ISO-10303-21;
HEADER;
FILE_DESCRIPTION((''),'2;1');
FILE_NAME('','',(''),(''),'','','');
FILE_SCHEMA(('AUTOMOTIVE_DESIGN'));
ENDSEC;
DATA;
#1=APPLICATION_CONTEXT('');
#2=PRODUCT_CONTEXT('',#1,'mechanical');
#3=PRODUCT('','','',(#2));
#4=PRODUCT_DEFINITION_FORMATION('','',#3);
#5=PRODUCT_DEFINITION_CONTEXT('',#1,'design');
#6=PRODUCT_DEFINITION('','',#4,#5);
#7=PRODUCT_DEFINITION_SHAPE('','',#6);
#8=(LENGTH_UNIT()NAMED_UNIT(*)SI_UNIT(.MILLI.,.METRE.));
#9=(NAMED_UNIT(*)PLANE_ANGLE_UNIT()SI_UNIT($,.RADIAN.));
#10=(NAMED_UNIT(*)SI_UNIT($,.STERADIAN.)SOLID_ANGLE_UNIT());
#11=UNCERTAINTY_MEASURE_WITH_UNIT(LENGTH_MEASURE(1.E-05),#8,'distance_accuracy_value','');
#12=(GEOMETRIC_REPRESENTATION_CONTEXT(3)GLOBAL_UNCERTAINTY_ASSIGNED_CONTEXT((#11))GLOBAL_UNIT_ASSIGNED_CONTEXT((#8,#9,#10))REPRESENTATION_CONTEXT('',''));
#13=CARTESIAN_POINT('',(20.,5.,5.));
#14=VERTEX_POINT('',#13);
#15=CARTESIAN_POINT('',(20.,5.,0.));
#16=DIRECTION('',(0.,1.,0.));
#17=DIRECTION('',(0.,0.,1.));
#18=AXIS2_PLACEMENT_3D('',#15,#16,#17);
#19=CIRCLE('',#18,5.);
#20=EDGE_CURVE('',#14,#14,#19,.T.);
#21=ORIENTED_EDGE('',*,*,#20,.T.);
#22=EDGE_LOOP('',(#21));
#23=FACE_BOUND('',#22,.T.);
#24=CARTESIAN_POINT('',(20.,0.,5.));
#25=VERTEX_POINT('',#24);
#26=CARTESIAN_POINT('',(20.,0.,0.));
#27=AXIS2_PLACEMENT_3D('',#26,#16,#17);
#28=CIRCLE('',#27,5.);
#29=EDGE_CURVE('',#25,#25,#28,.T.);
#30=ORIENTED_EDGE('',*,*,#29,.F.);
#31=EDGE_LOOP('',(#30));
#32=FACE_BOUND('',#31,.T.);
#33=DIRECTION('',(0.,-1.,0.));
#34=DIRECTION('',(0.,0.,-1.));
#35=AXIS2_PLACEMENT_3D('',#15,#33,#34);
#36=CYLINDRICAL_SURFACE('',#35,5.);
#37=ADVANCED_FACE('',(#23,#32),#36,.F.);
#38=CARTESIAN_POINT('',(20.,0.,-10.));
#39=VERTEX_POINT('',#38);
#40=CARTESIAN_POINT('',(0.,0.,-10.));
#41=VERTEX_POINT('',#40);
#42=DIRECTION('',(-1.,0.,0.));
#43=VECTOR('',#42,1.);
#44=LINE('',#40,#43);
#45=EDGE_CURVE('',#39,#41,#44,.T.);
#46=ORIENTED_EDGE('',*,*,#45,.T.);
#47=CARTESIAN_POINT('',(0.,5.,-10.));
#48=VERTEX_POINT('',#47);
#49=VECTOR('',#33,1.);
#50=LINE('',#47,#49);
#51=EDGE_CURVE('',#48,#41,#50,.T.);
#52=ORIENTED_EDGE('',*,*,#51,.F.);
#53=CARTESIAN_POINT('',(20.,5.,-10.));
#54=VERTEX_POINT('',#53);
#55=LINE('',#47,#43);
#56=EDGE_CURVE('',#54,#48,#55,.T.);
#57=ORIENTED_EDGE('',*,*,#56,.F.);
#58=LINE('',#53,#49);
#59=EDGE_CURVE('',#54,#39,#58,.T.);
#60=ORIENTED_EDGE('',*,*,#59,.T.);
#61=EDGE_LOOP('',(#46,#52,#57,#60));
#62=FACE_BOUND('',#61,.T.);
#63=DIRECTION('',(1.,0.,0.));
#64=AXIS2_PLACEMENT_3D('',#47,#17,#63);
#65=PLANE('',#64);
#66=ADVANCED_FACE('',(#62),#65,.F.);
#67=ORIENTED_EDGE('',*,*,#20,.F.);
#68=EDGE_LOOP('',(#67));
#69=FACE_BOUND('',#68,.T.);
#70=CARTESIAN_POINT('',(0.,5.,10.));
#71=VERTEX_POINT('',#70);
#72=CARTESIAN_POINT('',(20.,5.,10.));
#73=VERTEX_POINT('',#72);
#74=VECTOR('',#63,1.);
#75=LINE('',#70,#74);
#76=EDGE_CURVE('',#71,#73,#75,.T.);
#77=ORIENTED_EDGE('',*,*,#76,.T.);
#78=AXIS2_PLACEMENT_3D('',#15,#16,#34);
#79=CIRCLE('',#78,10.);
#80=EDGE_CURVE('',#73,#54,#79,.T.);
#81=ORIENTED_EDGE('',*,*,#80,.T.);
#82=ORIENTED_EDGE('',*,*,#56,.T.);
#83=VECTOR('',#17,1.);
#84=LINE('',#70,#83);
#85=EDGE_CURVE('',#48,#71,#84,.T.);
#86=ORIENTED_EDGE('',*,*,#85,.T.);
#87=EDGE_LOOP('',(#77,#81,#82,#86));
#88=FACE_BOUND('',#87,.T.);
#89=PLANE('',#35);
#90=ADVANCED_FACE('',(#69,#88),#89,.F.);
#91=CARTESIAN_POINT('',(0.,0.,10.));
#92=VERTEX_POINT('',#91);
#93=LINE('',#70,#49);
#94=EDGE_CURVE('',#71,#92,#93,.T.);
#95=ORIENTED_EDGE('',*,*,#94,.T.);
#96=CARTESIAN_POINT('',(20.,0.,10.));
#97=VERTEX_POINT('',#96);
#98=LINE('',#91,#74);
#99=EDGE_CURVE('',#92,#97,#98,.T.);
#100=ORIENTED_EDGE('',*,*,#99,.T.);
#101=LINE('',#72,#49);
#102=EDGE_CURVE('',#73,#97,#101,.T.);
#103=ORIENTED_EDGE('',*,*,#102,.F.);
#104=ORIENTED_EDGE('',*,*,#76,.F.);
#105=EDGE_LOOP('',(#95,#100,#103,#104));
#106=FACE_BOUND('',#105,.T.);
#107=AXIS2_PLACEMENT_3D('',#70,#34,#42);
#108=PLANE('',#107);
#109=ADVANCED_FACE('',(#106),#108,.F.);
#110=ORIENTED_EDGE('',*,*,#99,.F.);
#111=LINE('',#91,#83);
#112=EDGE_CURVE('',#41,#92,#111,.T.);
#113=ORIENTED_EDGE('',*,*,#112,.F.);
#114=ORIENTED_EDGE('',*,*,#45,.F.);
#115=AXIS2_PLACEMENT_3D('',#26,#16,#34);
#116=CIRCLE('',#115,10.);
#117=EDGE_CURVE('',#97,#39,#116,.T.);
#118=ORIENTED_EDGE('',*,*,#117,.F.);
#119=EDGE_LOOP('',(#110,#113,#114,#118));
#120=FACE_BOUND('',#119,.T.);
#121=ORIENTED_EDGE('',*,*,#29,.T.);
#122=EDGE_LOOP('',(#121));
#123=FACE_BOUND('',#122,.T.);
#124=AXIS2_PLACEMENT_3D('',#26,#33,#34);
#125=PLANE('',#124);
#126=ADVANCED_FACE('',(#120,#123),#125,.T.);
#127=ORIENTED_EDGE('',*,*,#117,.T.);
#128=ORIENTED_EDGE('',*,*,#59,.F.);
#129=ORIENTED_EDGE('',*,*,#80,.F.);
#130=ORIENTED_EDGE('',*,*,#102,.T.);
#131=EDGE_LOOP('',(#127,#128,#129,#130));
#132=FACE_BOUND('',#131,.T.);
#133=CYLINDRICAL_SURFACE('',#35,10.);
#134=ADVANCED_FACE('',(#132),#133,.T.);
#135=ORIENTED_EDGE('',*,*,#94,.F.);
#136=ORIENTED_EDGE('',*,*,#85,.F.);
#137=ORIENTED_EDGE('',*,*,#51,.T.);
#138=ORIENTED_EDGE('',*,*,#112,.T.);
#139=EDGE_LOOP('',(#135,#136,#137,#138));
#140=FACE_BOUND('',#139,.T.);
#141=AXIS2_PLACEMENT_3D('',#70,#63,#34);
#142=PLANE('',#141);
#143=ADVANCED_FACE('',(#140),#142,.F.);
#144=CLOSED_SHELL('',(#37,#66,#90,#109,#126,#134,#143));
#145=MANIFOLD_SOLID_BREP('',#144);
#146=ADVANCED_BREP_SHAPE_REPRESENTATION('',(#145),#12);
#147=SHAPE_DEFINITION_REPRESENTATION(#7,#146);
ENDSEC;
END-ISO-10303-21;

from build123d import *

# Parameters (mm, degrees)
SKETCH1_R           = 5
BOSS_EXTRUDE1_DEPTH = 5


with BuildPart() as part:
    # Sketch1 → Boss-Extrude1 (new body)
    with BuildSketch(Plane(origin=(0, 0, 0), x_dir=(1, 0, 0), z_dir=(0, 1, 0))):
        with BuildLine():
            Line((0, -10), (0, 10))
            Line((0, 10), (20, 10))
            ThreePointArc((20, 10), (30, 0), (20, -10))
            Line((20, -10), (0, -10))
        make_face()
        with Locations(Location((20, 0, 0), (0, 0, 270))):
            Circle(SKETCH1_R, mode=Mode.SUBTRACT)
    extrude(amount=BOSS_EXTRUDE1_DEPTH)


solid = part.part
